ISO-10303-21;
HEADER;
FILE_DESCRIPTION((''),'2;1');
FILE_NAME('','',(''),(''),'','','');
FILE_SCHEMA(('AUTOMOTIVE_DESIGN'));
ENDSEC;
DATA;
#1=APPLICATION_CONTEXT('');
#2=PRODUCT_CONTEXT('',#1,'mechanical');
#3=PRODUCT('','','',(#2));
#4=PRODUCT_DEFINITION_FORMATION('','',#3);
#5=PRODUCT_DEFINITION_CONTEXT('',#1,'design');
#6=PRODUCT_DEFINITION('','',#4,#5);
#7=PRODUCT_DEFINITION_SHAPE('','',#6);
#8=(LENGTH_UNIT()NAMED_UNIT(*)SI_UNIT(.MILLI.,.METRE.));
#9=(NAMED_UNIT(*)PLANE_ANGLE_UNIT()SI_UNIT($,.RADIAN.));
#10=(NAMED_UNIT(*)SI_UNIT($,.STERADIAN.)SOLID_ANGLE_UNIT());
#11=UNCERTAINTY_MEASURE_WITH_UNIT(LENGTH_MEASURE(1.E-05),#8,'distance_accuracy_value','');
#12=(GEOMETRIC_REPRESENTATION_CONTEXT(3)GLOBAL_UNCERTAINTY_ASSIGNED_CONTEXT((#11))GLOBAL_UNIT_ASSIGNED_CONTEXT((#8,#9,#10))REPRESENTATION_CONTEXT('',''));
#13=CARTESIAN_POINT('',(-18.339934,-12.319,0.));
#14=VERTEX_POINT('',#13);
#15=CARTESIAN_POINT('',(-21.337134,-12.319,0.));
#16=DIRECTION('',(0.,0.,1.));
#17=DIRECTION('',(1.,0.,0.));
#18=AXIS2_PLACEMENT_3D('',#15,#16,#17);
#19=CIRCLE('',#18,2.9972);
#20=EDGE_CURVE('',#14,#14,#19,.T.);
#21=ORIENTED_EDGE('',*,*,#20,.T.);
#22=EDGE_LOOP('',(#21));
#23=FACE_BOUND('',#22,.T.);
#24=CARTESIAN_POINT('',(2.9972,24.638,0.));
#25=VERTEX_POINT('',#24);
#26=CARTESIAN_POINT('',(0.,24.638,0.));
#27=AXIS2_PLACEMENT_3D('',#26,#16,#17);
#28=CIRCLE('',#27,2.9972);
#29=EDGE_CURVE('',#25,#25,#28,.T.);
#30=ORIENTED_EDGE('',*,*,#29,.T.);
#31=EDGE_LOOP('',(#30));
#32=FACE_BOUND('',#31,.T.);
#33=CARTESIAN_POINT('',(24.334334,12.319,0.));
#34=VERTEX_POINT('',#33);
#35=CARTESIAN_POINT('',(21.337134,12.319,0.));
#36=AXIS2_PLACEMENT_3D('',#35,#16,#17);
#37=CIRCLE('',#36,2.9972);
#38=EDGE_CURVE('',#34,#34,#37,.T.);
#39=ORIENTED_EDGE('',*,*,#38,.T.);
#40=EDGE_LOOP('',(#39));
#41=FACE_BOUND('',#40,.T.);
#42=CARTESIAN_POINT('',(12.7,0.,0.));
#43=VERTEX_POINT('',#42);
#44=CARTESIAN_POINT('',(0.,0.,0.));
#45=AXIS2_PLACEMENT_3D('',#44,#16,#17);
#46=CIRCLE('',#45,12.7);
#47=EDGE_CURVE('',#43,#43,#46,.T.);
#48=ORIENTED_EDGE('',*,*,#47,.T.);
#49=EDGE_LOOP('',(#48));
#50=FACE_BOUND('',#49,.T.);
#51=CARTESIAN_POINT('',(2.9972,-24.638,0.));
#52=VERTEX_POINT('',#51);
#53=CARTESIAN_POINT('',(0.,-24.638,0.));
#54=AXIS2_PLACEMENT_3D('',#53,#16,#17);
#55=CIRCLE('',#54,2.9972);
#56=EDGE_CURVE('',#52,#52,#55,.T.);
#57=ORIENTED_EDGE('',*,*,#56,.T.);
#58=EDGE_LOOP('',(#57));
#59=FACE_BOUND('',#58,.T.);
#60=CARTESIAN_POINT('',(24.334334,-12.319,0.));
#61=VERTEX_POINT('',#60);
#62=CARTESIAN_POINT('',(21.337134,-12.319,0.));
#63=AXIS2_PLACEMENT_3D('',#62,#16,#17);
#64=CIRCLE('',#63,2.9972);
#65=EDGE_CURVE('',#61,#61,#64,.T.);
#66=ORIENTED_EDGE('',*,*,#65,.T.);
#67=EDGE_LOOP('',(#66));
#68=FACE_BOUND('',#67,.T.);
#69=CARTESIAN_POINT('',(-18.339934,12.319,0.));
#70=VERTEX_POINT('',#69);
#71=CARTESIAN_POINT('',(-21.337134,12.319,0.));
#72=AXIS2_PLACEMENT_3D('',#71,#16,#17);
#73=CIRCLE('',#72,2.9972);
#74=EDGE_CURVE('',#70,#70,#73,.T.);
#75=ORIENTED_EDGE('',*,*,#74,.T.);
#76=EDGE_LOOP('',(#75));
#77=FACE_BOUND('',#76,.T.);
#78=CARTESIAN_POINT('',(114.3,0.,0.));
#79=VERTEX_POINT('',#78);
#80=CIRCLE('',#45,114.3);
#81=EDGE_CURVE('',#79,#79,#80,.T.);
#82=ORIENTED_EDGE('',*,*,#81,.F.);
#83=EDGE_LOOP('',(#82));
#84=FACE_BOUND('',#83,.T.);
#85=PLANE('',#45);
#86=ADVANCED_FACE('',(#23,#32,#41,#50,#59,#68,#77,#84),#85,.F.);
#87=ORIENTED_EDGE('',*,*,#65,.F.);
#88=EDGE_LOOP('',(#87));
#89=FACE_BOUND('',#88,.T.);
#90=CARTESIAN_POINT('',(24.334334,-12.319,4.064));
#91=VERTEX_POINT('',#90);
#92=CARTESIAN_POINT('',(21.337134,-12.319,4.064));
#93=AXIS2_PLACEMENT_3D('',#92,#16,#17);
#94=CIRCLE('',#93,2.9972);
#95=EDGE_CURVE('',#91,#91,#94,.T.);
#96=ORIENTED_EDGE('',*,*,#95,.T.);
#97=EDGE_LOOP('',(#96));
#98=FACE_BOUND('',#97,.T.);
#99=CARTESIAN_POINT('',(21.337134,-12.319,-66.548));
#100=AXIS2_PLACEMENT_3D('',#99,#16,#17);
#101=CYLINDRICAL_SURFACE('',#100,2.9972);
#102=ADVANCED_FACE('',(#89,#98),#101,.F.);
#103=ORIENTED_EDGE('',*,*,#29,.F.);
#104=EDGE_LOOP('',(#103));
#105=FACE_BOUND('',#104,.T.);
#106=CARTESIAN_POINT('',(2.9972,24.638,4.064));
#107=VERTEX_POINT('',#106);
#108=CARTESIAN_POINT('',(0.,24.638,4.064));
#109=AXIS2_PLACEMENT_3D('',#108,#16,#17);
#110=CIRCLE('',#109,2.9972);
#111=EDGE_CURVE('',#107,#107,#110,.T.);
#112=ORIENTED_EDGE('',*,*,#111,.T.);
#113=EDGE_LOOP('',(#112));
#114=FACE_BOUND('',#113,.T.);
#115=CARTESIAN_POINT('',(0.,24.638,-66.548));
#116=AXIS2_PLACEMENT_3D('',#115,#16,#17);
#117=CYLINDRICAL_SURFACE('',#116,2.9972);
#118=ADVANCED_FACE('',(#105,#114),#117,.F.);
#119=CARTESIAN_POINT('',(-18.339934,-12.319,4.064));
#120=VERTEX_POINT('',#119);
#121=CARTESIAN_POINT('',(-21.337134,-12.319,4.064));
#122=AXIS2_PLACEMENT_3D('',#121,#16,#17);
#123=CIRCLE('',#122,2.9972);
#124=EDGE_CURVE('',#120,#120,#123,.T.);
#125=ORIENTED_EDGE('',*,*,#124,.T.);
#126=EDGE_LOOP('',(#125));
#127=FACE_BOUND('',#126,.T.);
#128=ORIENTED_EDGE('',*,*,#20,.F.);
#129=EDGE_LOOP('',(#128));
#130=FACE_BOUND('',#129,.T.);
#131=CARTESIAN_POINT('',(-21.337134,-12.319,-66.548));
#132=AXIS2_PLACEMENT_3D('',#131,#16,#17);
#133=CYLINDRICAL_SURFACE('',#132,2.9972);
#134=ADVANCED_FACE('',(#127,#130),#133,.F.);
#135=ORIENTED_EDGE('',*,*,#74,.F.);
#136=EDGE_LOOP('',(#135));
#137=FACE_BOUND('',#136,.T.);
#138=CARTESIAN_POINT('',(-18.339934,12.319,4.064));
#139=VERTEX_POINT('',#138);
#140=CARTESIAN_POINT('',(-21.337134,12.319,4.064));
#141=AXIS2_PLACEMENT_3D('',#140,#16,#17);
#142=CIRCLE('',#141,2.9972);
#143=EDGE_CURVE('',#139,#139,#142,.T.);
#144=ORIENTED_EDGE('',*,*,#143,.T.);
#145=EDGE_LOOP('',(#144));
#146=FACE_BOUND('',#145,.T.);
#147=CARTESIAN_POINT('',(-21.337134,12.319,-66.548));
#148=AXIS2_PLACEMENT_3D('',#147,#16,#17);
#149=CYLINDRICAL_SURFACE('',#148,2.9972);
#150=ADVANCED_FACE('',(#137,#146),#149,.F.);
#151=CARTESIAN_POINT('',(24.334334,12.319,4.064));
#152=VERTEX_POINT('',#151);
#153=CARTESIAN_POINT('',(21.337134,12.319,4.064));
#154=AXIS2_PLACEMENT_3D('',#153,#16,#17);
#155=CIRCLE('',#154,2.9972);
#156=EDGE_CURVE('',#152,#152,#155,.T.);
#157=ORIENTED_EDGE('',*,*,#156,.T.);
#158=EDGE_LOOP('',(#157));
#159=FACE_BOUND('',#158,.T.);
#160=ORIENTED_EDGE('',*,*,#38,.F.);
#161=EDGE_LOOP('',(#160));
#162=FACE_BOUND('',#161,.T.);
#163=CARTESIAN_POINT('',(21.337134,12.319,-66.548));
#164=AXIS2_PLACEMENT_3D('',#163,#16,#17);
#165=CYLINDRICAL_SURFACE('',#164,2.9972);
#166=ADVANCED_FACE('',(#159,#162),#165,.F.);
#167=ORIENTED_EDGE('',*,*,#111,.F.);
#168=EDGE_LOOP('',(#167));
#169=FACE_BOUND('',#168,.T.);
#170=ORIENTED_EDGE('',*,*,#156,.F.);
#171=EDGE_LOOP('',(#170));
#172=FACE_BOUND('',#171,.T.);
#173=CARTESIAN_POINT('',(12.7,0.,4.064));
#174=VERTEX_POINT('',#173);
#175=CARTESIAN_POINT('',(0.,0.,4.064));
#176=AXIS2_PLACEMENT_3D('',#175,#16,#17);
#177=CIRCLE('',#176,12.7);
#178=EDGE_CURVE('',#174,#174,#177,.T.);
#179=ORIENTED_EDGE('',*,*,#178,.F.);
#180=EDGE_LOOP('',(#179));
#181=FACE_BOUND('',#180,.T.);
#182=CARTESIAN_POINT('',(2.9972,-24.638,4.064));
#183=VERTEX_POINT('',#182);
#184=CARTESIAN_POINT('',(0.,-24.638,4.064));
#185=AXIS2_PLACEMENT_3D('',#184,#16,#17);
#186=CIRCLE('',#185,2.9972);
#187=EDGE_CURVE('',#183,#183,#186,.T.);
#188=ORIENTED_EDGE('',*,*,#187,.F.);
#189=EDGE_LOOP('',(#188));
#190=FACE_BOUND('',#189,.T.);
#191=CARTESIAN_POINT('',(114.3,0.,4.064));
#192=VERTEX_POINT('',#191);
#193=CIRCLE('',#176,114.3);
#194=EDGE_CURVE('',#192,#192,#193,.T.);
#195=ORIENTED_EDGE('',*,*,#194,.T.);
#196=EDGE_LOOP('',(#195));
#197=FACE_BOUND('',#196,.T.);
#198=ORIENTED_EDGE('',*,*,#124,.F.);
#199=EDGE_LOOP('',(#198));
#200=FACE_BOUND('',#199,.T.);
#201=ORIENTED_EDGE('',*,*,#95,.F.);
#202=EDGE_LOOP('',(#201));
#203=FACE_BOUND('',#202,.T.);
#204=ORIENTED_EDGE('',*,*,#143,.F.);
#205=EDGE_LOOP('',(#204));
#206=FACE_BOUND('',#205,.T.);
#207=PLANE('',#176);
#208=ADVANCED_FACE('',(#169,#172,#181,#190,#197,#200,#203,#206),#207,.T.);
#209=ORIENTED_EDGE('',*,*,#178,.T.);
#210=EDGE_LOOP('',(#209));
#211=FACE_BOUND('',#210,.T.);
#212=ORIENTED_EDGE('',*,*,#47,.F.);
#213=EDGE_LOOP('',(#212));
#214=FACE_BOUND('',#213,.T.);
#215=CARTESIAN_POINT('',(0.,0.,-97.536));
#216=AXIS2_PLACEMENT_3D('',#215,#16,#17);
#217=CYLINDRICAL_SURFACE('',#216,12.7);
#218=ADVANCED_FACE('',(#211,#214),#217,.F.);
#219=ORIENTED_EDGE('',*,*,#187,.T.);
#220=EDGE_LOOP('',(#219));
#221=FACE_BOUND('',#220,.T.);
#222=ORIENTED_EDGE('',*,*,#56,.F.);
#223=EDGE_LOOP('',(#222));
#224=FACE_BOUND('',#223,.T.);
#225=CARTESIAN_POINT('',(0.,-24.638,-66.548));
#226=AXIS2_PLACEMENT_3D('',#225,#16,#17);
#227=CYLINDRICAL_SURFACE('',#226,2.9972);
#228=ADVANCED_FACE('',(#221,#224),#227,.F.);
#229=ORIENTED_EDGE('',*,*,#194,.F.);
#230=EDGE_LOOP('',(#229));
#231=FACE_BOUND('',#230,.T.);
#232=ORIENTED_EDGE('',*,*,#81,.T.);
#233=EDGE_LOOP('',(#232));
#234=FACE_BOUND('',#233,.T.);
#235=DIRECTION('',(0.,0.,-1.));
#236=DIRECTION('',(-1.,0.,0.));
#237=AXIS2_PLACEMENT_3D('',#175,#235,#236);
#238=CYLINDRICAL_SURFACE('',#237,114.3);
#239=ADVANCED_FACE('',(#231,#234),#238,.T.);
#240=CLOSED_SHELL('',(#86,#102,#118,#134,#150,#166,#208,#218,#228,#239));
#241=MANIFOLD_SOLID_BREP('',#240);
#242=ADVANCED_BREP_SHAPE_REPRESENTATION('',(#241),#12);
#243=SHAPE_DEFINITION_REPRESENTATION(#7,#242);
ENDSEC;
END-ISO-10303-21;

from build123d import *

# Parameters (mm, degrees)
SKETCH1_R               = 114.3
BOSS_EXTRUDE2_DEPTH     = 4.064
CUT_EXTRUDE1_DEPTH      = 70.612
CUT_EXTRUDE1_DEPTH_BACK = 101.6
SKETCH3_R               = 12.7
SKETCH4_R               = 2.9972
CUT_EXTRUDE3_DEPTH      = 70.612


with BuildPart() as part:
    # Sketch1 → Boss-Extrude2 (new body)
    with BuildSketch(Plane.XY):
        Circle(SKETCH1_R)
    extrude(amount=BOSS_EXTRUDE2_DEPTH)

    # Sketch3 → Cut-Extrude1 (cut, two sides: drawn at the far end of the back side and taken through both)
    with BuildSketch(Plane.XY.offset(4.064).offset(-CUT_EXTRUDE1_DEPTH_BACK)):
        Circle(SKETCH3_R)
    extrude(amount=CUT_EXTRUDE1_DEPTH + CUT_EXTRUDE1_DEPTH_BACK, mode=Mode.SUBTRACT)

    # Sketch4 → Cut-Extrude3 (cut)
    with BuildSketch(Plane.XY.offset(4.064)):
        with Locations((0, -24.638)):
            Circle(SKETCH4_R)
        with Locations((-21.337133898, -12.319)):
            Circle(SKETCH4_R)
        with Locations((-21.337133898, 12.319)):
            Circle(SKETCH4_R)
        with Locations((0, 24.638)):
            Circle(SKETCH4_R)
        with Locations((21.337133898, 12.319)):
            Circle(SKETCH4_R)
        with Locations((21.337133898, -12.319)):
            Circle(SKETCH4_R)
    extrude(amount=-CUT_EXTRUDE3_DEPTH, mode=Mode.SUBTRACT)


solid = part.part
